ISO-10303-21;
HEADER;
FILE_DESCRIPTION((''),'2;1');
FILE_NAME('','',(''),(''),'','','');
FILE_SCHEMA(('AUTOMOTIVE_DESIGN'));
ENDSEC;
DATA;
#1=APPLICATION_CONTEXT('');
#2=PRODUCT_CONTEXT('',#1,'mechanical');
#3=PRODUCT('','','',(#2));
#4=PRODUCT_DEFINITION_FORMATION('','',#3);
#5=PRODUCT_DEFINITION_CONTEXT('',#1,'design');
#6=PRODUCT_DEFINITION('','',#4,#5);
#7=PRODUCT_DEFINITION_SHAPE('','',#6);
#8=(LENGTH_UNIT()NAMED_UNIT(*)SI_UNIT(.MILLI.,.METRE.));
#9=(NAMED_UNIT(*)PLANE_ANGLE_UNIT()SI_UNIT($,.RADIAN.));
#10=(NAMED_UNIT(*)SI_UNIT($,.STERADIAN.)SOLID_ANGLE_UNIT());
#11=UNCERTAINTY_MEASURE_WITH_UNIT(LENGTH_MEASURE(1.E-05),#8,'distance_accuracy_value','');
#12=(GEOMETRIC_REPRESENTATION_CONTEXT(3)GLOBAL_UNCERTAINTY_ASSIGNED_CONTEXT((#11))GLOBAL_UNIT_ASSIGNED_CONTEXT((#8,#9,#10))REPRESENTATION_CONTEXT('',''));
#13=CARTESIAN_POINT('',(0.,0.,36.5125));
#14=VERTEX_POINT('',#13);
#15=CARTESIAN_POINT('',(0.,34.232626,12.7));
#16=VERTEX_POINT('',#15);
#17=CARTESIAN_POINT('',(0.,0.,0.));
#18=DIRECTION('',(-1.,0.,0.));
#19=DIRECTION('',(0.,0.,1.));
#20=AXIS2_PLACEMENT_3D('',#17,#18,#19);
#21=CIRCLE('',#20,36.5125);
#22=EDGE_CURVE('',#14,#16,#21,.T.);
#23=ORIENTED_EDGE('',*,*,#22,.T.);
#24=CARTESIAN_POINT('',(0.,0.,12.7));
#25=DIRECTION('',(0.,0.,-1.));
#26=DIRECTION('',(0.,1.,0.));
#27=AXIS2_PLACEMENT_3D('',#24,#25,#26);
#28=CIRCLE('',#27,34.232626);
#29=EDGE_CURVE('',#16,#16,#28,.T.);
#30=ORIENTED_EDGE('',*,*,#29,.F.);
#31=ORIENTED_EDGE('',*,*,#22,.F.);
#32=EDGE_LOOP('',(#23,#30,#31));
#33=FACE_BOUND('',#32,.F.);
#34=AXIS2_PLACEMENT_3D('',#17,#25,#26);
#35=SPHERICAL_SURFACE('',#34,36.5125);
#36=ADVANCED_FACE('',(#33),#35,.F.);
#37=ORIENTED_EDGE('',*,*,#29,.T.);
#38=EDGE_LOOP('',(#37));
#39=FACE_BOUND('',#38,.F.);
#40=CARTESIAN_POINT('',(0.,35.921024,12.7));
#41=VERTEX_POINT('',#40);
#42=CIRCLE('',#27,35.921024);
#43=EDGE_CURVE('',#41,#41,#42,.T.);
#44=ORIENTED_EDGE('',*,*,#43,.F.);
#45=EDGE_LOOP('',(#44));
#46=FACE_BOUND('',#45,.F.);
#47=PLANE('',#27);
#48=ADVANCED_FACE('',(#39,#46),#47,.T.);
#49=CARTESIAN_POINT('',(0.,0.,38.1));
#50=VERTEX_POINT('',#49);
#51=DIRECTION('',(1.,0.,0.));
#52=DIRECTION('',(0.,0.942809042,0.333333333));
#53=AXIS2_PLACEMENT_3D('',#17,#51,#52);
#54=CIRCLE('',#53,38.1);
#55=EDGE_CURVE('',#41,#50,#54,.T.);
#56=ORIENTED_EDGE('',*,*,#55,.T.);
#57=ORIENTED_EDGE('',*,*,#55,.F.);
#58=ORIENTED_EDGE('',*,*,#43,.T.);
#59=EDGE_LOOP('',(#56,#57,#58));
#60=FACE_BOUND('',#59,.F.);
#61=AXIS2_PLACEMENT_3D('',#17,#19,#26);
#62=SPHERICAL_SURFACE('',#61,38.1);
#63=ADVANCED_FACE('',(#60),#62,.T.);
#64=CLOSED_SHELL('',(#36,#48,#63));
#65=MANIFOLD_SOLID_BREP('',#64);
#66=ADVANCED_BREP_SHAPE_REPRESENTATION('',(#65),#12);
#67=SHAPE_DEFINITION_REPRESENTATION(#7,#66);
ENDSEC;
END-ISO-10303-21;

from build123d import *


with BuildPart() as f1:
    # F0 (on Right) → F1 (revolve)
    with BuildSketch(Plane.YZ):
        with BuildLine():
            Line((0, 38.1), (0, 36.5125))
            ThreePointArc((0, 36.5125), (20.8501067893, 29.9739170467), (34.2326256114, 12.7))
            Line((34.2326256114, 12.7), (35.9210244843, 12.7))
            ThreePointArc((35.9210244843, 12.7), (21.9970452561, 31.1085197333), (0, 38.1))
        make_face()
    revolve(axis=Axis((0, 0, 19.05), (0, 0, -1)))


solid = f1.part
